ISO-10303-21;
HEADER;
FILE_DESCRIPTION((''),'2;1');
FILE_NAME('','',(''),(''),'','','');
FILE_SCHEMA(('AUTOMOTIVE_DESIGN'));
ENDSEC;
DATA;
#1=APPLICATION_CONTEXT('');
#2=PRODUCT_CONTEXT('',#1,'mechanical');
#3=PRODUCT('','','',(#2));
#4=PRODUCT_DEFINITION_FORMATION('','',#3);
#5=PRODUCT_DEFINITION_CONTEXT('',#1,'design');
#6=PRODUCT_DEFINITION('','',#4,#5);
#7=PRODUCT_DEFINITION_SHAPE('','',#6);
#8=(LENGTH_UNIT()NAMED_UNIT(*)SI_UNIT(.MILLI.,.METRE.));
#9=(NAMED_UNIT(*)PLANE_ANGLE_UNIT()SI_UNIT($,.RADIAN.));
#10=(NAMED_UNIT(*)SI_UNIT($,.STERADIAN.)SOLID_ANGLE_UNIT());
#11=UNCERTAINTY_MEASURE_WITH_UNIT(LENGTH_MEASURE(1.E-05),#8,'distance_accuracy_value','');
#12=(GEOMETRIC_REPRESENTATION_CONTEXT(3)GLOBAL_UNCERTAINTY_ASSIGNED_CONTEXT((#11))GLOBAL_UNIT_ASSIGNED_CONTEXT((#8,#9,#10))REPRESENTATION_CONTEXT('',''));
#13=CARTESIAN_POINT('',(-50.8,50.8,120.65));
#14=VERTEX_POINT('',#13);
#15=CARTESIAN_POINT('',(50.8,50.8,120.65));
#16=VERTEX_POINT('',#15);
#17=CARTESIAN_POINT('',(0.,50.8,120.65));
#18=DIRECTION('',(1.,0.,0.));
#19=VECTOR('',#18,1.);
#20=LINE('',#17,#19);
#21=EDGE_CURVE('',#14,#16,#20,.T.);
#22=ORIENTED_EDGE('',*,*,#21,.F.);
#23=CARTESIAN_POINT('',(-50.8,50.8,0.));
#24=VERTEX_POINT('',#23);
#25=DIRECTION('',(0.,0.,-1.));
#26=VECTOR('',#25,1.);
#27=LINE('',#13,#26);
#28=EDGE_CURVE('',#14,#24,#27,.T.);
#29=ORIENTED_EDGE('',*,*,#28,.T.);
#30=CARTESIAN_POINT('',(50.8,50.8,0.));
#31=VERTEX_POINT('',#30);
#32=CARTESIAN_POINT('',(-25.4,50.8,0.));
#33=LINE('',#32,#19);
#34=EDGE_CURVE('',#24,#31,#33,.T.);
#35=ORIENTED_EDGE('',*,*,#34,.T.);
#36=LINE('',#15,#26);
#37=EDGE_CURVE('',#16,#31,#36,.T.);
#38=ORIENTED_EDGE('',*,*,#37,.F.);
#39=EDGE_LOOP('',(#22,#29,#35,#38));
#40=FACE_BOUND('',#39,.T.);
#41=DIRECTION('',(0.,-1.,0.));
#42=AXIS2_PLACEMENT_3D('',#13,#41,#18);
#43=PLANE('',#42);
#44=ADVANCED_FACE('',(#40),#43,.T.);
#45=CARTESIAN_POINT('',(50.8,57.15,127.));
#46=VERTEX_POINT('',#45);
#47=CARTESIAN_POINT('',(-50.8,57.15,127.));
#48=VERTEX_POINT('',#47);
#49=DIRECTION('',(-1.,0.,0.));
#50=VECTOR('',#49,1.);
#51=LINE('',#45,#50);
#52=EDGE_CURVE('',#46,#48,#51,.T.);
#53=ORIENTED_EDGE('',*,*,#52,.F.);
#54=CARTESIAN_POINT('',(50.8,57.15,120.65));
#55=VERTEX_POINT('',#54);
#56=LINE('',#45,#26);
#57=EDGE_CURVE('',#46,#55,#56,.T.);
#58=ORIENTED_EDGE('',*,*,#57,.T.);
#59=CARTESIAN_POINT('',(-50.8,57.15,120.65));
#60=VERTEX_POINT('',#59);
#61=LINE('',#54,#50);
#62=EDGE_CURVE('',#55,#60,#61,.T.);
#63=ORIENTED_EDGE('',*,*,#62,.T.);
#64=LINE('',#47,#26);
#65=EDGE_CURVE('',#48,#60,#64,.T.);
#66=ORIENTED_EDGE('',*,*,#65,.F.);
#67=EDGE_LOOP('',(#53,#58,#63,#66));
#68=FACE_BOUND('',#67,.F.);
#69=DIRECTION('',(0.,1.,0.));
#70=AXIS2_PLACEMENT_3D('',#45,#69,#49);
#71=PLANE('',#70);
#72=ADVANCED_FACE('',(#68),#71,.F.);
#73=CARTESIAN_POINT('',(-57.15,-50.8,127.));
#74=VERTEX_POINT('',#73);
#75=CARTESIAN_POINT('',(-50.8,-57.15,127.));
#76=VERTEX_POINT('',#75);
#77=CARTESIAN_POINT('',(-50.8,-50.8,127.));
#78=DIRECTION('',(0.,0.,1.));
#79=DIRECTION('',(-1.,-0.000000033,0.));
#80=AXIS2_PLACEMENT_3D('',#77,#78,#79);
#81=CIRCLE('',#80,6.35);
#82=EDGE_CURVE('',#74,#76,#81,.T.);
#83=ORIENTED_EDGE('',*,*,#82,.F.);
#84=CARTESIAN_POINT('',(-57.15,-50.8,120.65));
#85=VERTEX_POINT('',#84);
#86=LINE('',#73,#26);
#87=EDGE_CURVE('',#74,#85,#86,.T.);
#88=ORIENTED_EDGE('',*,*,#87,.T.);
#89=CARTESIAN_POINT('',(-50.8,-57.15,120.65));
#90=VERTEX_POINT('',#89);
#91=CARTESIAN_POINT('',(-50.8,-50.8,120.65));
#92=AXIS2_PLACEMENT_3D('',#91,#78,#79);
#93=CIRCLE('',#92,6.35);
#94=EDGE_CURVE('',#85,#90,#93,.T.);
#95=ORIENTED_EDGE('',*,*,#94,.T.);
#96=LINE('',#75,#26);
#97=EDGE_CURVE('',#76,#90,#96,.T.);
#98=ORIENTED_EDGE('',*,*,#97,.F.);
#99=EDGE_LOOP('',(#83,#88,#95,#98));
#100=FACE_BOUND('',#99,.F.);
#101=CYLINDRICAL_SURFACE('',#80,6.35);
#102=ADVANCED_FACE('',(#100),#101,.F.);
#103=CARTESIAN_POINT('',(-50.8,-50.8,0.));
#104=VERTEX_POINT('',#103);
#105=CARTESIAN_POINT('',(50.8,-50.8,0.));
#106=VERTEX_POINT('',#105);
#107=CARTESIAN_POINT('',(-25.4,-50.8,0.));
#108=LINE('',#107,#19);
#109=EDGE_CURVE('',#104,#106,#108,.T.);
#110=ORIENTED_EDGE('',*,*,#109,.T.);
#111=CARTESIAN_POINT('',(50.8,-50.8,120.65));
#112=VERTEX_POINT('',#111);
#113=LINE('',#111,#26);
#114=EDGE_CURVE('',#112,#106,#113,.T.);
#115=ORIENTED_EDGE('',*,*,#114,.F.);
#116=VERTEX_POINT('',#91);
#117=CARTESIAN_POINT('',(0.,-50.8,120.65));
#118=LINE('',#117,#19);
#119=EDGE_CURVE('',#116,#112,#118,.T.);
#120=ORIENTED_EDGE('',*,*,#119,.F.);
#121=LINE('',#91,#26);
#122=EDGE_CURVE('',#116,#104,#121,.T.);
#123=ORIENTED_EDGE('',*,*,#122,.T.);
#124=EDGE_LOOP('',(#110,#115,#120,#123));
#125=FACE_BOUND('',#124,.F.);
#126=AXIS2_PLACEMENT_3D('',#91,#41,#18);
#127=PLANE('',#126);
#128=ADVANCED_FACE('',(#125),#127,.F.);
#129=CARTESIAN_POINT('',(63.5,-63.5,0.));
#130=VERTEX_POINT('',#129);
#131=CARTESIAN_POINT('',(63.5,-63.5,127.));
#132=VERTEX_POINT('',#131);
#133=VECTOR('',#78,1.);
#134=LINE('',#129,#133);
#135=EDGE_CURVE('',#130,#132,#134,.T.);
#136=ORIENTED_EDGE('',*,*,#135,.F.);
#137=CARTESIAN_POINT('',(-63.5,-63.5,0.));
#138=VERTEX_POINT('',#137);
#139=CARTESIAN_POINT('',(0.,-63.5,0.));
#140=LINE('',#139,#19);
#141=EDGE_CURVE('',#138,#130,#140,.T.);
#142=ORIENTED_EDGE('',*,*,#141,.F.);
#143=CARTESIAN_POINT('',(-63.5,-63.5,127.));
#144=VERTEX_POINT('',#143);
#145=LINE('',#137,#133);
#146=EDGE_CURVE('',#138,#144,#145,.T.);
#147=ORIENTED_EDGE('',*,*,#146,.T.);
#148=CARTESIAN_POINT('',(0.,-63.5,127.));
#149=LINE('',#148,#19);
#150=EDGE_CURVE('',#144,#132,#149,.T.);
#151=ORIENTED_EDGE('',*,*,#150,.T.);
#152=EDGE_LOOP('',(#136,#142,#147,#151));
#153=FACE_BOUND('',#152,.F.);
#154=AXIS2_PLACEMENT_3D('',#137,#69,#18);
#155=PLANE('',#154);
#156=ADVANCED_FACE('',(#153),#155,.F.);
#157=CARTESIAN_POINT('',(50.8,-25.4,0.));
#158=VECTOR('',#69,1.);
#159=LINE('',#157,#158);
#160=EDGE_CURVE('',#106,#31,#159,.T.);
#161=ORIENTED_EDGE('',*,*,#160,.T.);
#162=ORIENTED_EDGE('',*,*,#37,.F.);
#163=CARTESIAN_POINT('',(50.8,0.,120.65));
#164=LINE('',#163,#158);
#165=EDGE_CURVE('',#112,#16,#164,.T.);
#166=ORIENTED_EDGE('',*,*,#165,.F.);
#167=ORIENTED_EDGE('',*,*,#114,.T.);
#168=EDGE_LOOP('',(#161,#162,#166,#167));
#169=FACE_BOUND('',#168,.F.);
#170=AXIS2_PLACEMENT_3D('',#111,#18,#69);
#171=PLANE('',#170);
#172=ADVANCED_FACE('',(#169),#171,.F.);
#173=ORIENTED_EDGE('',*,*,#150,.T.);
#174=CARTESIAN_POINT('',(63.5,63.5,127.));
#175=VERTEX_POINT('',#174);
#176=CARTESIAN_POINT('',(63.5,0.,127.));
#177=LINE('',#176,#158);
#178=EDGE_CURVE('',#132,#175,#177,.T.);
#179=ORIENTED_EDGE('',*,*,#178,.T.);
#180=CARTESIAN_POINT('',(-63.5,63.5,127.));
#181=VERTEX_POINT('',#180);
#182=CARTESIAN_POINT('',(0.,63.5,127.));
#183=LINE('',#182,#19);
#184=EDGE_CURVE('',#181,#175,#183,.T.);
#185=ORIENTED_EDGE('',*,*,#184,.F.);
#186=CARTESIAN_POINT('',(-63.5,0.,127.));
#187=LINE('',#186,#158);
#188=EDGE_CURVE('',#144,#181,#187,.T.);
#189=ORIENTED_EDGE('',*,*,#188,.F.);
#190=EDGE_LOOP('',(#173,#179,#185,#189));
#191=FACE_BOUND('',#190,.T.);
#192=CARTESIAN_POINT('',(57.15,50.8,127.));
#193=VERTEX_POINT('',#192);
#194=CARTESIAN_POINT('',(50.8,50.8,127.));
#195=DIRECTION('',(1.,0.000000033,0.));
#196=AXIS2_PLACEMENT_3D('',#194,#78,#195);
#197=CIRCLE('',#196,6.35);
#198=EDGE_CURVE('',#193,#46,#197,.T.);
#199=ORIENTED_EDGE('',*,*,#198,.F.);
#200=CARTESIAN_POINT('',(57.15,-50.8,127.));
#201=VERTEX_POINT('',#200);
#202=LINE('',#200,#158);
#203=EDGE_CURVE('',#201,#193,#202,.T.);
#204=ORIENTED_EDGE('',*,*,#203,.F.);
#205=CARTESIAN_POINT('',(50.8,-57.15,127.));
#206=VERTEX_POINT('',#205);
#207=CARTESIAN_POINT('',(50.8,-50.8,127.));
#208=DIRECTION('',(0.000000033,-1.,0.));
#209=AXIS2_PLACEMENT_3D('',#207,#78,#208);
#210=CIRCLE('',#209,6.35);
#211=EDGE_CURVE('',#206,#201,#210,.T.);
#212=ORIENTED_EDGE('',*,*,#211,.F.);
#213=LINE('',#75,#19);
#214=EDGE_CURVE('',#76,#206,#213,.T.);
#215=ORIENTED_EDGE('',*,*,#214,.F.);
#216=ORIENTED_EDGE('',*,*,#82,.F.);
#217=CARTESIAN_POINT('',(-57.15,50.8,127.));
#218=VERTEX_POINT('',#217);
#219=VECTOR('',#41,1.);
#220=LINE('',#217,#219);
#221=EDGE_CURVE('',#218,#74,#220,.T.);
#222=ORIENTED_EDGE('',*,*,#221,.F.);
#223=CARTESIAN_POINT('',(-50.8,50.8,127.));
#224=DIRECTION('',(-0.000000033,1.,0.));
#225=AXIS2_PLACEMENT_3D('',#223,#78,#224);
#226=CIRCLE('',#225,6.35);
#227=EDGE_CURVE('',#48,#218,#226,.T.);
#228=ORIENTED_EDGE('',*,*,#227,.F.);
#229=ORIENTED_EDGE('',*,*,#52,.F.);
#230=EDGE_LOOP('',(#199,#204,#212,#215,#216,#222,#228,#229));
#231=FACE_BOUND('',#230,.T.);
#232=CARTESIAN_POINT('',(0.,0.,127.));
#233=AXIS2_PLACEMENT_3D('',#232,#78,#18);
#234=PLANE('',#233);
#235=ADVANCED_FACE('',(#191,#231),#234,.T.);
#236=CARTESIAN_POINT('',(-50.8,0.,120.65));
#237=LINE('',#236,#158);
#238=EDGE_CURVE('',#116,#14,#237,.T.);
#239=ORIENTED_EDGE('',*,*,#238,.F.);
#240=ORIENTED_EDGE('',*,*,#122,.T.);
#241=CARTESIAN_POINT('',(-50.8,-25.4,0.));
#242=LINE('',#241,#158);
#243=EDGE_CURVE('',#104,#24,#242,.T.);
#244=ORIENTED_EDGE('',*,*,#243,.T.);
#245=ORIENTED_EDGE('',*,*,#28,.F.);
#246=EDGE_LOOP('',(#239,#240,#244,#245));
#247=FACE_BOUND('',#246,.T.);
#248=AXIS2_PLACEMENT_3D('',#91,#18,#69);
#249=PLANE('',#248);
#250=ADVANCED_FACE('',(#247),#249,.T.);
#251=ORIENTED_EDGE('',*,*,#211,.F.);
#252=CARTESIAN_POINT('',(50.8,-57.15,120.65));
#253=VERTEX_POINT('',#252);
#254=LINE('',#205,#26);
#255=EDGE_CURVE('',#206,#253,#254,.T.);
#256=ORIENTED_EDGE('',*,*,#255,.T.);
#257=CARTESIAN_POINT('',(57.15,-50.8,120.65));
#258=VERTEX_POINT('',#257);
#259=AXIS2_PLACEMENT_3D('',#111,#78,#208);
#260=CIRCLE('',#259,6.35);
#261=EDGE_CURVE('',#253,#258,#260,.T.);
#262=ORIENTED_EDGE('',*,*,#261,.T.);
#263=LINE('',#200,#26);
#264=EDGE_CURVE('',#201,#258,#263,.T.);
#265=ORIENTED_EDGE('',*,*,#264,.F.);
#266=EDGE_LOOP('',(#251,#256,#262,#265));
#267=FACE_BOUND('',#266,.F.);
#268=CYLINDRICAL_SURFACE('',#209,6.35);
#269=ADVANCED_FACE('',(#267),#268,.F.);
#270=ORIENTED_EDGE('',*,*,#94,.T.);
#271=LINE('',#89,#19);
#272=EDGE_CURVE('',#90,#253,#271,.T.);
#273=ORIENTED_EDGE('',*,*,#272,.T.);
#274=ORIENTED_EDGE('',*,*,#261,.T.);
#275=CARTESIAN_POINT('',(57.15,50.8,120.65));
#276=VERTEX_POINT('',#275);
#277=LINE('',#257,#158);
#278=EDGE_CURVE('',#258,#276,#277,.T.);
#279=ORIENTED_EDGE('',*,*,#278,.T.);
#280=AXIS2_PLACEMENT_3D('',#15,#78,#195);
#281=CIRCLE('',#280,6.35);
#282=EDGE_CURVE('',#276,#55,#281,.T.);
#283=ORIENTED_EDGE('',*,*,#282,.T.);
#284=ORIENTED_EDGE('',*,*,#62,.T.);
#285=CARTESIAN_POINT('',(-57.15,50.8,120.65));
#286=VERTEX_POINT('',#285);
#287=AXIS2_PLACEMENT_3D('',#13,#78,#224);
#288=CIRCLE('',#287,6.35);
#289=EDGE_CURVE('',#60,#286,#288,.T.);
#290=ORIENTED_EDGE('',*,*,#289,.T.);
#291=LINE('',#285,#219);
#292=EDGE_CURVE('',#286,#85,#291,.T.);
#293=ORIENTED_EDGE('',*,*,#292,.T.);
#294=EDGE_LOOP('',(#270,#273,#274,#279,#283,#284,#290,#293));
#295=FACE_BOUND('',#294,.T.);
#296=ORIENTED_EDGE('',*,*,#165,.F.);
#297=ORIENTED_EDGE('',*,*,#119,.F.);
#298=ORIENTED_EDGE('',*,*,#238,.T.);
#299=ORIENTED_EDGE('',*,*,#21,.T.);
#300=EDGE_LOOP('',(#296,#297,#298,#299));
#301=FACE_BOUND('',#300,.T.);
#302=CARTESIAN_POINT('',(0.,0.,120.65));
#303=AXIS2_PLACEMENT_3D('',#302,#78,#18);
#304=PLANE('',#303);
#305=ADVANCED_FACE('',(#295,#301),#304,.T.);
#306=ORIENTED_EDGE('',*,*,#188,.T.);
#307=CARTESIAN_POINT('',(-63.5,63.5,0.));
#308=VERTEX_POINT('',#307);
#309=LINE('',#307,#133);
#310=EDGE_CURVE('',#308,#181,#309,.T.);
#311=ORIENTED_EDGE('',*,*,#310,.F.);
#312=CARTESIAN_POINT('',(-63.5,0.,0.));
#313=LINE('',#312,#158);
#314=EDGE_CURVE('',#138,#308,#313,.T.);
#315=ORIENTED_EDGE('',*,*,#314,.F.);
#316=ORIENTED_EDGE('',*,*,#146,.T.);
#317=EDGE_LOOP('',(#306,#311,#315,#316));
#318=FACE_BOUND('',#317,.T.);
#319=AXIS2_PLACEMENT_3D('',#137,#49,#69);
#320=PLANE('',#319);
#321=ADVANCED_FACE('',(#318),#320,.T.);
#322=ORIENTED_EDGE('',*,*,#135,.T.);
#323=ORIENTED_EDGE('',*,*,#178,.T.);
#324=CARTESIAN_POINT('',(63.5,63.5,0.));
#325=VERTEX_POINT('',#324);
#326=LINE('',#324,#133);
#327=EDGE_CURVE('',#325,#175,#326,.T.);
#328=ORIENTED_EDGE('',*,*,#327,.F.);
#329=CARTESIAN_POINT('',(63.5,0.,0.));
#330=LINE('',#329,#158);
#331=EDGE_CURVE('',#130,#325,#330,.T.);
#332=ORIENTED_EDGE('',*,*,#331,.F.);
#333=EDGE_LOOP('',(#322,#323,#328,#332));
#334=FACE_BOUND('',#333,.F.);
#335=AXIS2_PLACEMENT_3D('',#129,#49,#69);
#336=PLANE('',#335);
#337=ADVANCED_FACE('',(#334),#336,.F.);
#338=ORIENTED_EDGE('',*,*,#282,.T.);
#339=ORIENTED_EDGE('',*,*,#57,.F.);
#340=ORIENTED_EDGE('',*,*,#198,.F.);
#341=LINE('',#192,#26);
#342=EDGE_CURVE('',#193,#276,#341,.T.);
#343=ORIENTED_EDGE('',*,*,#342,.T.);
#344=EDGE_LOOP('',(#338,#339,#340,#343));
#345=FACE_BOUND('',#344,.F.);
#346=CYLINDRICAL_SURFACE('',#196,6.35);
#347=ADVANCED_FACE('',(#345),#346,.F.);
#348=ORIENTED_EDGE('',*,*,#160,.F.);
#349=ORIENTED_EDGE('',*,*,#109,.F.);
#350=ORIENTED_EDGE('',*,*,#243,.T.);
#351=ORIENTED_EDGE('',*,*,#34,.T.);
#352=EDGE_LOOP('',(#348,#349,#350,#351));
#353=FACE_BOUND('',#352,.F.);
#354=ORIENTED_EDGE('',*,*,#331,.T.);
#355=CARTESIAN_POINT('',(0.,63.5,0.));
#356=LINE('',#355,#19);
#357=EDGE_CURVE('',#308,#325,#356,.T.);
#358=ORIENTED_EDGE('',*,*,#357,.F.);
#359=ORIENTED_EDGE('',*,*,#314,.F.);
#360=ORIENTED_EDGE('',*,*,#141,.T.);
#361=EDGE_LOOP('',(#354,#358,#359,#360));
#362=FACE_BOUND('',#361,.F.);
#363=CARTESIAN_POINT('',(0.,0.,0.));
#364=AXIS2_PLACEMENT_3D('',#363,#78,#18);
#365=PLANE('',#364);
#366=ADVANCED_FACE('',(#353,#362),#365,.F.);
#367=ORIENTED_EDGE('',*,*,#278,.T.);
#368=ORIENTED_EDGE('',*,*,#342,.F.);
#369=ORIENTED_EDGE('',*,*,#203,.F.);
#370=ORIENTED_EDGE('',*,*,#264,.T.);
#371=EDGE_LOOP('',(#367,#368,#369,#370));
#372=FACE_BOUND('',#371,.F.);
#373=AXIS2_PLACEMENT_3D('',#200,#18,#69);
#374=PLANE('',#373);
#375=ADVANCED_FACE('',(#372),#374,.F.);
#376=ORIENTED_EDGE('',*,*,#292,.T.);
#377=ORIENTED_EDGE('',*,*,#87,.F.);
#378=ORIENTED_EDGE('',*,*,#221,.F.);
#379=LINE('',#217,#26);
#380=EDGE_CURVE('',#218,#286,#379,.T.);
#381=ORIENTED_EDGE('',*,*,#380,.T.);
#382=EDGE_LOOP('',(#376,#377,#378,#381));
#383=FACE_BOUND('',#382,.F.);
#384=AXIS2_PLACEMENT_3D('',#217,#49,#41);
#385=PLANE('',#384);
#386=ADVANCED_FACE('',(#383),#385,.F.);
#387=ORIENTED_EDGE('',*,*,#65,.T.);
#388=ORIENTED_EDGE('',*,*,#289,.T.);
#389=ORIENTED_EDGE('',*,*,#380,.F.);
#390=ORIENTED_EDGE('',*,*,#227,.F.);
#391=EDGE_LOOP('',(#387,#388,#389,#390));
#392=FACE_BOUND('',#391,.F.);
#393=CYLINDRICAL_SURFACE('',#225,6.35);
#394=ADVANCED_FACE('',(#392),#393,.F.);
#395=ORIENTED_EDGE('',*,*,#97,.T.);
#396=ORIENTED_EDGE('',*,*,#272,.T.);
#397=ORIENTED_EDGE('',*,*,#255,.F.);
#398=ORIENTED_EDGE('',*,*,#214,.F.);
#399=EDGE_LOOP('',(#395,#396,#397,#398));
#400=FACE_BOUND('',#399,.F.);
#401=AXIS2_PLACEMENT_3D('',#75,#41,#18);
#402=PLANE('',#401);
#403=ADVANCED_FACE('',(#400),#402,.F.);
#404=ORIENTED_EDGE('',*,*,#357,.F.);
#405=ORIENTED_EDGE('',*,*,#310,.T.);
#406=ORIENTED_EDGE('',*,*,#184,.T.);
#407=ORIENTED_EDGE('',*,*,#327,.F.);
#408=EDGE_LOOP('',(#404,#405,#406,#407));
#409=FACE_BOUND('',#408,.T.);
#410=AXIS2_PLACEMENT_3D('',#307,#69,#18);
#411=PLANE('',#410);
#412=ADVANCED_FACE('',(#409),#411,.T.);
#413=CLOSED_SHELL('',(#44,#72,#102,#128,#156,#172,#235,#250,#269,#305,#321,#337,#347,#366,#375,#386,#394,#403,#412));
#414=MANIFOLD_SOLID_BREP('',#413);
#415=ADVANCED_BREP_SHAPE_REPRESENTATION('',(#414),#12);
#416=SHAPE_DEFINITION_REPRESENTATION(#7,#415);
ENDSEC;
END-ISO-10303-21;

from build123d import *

# Parameters (mm, degrees)
F0_W     = 127
F0_H     = 127
F1_DEPTH = 127
F3_DEPTH = 6.35
F4_W     = 101.6
F4_H     = 101.6
F5_DEPTH = 127


with BuildPart() as f1:
    # F0 (on Top) → F1 (new body)
    with BuildSketch(Plane.XY):
        Rectangle(F0_W, F0_H)
    extrude(amount=F1_DEPTH)

    # F2 (on face) → F3 (cut)
    with BuildSketch(Plane.XY.offset(127)):
        with BuildLine():
            Line((-50.8, -57.15), (50.8, -57.15))
            ThreePointArc((50.8, -57.15), (55.290128, -55.290128), (57.15, -50.8))
            Line((57.15, -50.8), (57.15, 50.8))
            ThreePointArc((57.15, 50.8), (55.290128, 55.290128), (50.8, 57.15))
            Line((50.8, 57.15), (-50.8, 57.15))
            ThreePointArc((-50.8, 57.15), (-55.290128, 55.290128), (-57.15, 50.8))
            Line((-57.15, 50.8), (-57.15, -50.8))
            ThreePointArc((-57.15, -50.8), (-55.290128, -55.290128), (-50.8, -57.15))
        make_face()
    extrude(amount=-F3_DEPTH, mode=Mode.SUBTRACT)

    # F4 (on face) → F5 (cut)
    with BuildSketch(Plane.XY.offset(120.65)):
        Rectangle(F4_W, F4_H)
    extrude(amount=-F5_DEPTH, mode=Mode.SUBTRACT)


solid = f1.part
